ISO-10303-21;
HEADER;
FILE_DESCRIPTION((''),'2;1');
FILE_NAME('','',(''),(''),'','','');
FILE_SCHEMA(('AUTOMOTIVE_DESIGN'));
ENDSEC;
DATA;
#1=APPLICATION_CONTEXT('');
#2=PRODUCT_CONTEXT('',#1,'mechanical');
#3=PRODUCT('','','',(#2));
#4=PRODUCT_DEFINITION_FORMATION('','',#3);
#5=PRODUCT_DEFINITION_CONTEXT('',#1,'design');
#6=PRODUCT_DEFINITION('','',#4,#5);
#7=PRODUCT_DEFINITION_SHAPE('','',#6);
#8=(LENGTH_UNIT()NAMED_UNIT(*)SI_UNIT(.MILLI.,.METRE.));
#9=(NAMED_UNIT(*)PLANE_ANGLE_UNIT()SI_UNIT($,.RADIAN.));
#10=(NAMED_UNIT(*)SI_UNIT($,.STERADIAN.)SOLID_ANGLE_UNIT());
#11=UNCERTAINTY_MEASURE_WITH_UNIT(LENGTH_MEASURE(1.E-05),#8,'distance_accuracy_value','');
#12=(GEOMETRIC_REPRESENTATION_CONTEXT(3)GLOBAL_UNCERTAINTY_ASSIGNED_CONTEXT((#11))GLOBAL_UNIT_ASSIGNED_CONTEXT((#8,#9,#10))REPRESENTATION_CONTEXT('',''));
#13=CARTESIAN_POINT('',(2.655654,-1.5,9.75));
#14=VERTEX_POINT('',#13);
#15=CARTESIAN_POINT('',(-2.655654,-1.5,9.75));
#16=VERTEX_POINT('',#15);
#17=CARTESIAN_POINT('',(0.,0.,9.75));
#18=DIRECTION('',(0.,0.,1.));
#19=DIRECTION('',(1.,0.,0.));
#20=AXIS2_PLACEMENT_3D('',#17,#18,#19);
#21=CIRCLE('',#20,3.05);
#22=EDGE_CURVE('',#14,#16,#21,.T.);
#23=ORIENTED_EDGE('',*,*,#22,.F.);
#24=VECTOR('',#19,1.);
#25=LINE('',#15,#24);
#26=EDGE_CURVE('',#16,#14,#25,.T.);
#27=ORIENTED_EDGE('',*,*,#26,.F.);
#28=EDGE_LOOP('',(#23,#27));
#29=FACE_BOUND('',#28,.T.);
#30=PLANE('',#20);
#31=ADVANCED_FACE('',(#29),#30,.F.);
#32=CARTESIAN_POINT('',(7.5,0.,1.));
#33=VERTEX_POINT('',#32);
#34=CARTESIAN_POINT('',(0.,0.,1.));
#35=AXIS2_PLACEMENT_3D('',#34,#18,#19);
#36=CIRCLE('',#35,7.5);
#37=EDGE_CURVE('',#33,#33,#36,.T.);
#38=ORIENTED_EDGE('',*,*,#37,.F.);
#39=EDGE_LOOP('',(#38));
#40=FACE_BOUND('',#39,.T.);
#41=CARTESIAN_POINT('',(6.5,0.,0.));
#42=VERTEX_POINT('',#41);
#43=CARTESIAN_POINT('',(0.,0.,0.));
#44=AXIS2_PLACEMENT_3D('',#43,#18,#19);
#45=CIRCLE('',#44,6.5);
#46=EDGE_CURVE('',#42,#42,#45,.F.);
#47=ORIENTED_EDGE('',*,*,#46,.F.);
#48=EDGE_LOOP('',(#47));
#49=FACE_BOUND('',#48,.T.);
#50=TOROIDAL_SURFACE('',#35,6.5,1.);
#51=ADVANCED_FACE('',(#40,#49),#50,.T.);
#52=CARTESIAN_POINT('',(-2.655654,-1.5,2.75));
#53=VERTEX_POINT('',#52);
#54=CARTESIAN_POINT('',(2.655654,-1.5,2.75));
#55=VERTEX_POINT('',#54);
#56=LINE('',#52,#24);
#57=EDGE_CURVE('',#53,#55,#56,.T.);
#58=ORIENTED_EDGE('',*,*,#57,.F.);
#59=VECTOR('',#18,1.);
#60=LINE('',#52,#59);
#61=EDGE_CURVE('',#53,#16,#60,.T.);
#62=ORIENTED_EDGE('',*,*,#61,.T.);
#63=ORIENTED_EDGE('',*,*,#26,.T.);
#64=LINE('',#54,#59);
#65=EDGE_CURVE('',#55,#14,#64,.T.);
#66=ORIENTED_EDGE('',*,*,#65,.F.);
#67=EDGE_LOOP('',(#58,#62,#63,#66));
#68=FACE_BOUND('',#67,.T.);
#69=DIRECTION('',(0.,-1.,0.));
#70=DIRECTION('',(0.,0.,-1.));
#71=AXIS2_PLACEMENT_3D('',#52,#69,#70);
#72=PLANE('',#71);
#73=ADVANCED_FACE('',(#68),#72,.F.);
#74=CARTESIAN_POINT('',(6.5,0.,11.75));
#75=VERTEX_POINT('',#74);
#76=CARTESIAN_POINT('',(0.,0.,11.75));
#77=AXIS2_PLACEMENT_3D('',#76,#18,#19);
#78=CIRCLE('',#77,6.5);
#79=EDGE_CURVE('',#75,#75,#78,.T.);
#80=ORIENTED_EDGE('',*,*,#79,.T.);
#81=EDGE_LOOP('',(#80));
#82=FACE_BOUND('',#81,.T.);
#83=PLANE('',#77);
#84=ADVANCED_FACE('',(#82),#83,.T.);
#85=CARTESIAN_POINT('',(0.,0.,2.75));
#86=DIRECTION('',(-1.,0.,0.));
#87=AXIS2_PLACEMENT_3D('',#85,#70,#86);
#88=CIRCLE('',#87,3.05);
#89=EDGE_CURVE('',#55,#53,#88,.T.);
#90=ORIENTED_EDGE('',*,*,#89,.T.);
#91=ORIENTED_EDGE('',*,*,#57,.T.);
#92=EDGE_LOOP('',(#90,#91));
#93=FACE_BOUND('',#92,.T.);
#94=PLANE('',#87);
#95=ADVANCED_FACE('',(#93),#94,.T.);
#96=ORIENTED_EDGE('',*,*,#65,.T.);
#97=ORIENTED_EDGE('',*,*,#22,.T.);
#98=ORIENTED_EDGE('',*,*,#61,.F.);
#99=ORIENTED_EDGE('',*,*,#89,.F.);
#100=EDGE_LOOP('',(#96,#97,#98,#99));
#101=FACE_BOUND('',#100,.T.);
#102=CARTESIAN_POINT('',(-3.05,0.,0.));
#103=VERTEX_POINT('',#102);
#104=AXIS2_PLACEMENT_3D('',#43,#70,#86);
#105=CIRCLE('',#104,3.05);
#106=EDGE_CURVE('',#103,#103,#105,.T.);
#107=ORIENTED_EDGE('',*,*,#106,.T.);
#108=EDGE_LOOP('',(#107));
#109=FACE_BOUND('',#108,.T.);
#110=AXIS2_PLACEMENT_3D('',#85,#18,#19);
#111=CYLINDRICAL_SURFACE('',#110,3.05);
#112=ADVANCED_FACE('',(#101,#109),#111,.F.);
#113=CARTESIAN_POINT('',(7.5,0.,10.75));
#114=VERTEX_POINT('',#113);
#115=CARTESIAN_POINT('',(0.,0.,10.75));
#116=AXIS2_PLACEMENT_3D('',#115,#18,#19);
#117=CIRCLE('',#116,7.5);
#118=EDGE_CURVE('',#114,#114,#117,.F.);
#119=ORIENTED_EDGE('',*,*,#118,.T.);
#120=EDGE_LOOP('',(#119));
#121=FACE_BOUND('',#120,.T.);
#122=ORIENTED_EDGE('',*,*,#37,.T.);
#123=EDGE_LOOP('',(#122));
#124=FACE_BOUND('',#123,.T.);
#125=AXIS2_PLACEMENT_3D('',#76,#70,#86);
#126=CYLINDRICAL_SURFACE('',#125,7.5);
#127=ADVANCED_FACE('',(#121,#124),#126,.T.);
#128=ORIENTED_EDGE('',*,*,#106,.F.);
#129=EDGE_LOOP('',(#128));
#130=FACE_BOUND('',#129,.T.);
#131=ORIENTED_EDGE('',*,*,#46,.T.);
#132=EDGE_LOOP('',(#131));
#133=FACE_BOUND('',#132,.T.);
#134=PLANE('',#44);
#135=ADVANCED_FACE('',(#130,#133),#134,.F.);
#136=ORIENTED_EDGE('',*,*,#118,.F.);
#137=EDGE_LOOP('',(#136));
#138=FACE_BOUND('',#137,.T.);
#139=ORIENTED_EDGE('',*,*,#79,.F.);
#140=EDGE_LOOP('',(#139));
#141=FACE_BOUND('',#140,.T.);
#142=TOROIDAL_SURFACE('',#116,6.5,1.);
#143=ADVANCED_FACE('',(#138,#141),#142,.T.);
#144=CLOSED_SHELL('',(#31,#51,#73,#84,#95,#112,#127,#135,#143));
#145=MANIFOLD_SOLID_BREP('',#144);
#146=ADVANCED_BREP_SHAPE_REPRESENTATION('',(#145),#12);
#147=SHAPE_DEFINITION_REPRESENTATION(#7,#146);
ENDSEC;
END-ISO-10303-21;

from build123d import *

# Parameters (mm, degrees)
IZIM1_R                     = 7.5
Y_KSEKLIK_EKSTR_ZYON1_DEPTH = 11.75
KES_EKSTR_ZYON1_DEPTH       = 7
RADYUS1_R                   = 1
KES_EKSTR_ZYON2_START       = -2.75
IZIM3_R                     = 3.05
KES_EKSTR_ZYON2_DEPTH       = 2.75


with BuildPart() as part:
    # Çizim1 → Yükseklik-Ekstrüzyon1 (new body)
    with BuildSketch(Plane.XY):
        Circle(IZIM1_R)
    extrude(amount=Y_KSEKLIK_EKSTR_ZYON1_DEPTH)

    # Çizim2 → Kes-Ekstrüzyon1 (cut)
    with BuildSketch(Plane.XY.offset(9.75)):
        with BuildLine():
            Line((-2.655654345, -1.5), (2.655654345, -1.5))
            ThreePointArc((2.655654345, -1.5), (0, 3.05), (-2.655654345, -1.5))
        make_face()
    extrude(amount=-KES_EKSTR_ZYON1_DEPTH, mode=Mode.SUBTRACT)

    # Radyus1
    radyus1_edges = [part.edges().sort_by_distance(p)[0] for p in [
        (-7.5, 0, 0),
        (-7.5, 0, 11.75),
    ]]
    fillet(radyus1_edges, radius=RADYUS1_R)

    # Çizim3 → Kes-Ekstrüzyon2 (cut)
    with BuildSketch(Plane(origin=(0, 0, 0), x_dir=(-1, 0, 0), z_dir=(0, 0, -1)).offset(KES_EKSTR_ZYON2_START)):
        with Locations(Location((0, 0, 0), (0, 0, 209.459174912))):
            Circle(IZIM3_R)
    extrude(amount=KES_EKSTR_ZYON2_DEPTH, mode=Mode.SUBTRACT)


solid = part.part
